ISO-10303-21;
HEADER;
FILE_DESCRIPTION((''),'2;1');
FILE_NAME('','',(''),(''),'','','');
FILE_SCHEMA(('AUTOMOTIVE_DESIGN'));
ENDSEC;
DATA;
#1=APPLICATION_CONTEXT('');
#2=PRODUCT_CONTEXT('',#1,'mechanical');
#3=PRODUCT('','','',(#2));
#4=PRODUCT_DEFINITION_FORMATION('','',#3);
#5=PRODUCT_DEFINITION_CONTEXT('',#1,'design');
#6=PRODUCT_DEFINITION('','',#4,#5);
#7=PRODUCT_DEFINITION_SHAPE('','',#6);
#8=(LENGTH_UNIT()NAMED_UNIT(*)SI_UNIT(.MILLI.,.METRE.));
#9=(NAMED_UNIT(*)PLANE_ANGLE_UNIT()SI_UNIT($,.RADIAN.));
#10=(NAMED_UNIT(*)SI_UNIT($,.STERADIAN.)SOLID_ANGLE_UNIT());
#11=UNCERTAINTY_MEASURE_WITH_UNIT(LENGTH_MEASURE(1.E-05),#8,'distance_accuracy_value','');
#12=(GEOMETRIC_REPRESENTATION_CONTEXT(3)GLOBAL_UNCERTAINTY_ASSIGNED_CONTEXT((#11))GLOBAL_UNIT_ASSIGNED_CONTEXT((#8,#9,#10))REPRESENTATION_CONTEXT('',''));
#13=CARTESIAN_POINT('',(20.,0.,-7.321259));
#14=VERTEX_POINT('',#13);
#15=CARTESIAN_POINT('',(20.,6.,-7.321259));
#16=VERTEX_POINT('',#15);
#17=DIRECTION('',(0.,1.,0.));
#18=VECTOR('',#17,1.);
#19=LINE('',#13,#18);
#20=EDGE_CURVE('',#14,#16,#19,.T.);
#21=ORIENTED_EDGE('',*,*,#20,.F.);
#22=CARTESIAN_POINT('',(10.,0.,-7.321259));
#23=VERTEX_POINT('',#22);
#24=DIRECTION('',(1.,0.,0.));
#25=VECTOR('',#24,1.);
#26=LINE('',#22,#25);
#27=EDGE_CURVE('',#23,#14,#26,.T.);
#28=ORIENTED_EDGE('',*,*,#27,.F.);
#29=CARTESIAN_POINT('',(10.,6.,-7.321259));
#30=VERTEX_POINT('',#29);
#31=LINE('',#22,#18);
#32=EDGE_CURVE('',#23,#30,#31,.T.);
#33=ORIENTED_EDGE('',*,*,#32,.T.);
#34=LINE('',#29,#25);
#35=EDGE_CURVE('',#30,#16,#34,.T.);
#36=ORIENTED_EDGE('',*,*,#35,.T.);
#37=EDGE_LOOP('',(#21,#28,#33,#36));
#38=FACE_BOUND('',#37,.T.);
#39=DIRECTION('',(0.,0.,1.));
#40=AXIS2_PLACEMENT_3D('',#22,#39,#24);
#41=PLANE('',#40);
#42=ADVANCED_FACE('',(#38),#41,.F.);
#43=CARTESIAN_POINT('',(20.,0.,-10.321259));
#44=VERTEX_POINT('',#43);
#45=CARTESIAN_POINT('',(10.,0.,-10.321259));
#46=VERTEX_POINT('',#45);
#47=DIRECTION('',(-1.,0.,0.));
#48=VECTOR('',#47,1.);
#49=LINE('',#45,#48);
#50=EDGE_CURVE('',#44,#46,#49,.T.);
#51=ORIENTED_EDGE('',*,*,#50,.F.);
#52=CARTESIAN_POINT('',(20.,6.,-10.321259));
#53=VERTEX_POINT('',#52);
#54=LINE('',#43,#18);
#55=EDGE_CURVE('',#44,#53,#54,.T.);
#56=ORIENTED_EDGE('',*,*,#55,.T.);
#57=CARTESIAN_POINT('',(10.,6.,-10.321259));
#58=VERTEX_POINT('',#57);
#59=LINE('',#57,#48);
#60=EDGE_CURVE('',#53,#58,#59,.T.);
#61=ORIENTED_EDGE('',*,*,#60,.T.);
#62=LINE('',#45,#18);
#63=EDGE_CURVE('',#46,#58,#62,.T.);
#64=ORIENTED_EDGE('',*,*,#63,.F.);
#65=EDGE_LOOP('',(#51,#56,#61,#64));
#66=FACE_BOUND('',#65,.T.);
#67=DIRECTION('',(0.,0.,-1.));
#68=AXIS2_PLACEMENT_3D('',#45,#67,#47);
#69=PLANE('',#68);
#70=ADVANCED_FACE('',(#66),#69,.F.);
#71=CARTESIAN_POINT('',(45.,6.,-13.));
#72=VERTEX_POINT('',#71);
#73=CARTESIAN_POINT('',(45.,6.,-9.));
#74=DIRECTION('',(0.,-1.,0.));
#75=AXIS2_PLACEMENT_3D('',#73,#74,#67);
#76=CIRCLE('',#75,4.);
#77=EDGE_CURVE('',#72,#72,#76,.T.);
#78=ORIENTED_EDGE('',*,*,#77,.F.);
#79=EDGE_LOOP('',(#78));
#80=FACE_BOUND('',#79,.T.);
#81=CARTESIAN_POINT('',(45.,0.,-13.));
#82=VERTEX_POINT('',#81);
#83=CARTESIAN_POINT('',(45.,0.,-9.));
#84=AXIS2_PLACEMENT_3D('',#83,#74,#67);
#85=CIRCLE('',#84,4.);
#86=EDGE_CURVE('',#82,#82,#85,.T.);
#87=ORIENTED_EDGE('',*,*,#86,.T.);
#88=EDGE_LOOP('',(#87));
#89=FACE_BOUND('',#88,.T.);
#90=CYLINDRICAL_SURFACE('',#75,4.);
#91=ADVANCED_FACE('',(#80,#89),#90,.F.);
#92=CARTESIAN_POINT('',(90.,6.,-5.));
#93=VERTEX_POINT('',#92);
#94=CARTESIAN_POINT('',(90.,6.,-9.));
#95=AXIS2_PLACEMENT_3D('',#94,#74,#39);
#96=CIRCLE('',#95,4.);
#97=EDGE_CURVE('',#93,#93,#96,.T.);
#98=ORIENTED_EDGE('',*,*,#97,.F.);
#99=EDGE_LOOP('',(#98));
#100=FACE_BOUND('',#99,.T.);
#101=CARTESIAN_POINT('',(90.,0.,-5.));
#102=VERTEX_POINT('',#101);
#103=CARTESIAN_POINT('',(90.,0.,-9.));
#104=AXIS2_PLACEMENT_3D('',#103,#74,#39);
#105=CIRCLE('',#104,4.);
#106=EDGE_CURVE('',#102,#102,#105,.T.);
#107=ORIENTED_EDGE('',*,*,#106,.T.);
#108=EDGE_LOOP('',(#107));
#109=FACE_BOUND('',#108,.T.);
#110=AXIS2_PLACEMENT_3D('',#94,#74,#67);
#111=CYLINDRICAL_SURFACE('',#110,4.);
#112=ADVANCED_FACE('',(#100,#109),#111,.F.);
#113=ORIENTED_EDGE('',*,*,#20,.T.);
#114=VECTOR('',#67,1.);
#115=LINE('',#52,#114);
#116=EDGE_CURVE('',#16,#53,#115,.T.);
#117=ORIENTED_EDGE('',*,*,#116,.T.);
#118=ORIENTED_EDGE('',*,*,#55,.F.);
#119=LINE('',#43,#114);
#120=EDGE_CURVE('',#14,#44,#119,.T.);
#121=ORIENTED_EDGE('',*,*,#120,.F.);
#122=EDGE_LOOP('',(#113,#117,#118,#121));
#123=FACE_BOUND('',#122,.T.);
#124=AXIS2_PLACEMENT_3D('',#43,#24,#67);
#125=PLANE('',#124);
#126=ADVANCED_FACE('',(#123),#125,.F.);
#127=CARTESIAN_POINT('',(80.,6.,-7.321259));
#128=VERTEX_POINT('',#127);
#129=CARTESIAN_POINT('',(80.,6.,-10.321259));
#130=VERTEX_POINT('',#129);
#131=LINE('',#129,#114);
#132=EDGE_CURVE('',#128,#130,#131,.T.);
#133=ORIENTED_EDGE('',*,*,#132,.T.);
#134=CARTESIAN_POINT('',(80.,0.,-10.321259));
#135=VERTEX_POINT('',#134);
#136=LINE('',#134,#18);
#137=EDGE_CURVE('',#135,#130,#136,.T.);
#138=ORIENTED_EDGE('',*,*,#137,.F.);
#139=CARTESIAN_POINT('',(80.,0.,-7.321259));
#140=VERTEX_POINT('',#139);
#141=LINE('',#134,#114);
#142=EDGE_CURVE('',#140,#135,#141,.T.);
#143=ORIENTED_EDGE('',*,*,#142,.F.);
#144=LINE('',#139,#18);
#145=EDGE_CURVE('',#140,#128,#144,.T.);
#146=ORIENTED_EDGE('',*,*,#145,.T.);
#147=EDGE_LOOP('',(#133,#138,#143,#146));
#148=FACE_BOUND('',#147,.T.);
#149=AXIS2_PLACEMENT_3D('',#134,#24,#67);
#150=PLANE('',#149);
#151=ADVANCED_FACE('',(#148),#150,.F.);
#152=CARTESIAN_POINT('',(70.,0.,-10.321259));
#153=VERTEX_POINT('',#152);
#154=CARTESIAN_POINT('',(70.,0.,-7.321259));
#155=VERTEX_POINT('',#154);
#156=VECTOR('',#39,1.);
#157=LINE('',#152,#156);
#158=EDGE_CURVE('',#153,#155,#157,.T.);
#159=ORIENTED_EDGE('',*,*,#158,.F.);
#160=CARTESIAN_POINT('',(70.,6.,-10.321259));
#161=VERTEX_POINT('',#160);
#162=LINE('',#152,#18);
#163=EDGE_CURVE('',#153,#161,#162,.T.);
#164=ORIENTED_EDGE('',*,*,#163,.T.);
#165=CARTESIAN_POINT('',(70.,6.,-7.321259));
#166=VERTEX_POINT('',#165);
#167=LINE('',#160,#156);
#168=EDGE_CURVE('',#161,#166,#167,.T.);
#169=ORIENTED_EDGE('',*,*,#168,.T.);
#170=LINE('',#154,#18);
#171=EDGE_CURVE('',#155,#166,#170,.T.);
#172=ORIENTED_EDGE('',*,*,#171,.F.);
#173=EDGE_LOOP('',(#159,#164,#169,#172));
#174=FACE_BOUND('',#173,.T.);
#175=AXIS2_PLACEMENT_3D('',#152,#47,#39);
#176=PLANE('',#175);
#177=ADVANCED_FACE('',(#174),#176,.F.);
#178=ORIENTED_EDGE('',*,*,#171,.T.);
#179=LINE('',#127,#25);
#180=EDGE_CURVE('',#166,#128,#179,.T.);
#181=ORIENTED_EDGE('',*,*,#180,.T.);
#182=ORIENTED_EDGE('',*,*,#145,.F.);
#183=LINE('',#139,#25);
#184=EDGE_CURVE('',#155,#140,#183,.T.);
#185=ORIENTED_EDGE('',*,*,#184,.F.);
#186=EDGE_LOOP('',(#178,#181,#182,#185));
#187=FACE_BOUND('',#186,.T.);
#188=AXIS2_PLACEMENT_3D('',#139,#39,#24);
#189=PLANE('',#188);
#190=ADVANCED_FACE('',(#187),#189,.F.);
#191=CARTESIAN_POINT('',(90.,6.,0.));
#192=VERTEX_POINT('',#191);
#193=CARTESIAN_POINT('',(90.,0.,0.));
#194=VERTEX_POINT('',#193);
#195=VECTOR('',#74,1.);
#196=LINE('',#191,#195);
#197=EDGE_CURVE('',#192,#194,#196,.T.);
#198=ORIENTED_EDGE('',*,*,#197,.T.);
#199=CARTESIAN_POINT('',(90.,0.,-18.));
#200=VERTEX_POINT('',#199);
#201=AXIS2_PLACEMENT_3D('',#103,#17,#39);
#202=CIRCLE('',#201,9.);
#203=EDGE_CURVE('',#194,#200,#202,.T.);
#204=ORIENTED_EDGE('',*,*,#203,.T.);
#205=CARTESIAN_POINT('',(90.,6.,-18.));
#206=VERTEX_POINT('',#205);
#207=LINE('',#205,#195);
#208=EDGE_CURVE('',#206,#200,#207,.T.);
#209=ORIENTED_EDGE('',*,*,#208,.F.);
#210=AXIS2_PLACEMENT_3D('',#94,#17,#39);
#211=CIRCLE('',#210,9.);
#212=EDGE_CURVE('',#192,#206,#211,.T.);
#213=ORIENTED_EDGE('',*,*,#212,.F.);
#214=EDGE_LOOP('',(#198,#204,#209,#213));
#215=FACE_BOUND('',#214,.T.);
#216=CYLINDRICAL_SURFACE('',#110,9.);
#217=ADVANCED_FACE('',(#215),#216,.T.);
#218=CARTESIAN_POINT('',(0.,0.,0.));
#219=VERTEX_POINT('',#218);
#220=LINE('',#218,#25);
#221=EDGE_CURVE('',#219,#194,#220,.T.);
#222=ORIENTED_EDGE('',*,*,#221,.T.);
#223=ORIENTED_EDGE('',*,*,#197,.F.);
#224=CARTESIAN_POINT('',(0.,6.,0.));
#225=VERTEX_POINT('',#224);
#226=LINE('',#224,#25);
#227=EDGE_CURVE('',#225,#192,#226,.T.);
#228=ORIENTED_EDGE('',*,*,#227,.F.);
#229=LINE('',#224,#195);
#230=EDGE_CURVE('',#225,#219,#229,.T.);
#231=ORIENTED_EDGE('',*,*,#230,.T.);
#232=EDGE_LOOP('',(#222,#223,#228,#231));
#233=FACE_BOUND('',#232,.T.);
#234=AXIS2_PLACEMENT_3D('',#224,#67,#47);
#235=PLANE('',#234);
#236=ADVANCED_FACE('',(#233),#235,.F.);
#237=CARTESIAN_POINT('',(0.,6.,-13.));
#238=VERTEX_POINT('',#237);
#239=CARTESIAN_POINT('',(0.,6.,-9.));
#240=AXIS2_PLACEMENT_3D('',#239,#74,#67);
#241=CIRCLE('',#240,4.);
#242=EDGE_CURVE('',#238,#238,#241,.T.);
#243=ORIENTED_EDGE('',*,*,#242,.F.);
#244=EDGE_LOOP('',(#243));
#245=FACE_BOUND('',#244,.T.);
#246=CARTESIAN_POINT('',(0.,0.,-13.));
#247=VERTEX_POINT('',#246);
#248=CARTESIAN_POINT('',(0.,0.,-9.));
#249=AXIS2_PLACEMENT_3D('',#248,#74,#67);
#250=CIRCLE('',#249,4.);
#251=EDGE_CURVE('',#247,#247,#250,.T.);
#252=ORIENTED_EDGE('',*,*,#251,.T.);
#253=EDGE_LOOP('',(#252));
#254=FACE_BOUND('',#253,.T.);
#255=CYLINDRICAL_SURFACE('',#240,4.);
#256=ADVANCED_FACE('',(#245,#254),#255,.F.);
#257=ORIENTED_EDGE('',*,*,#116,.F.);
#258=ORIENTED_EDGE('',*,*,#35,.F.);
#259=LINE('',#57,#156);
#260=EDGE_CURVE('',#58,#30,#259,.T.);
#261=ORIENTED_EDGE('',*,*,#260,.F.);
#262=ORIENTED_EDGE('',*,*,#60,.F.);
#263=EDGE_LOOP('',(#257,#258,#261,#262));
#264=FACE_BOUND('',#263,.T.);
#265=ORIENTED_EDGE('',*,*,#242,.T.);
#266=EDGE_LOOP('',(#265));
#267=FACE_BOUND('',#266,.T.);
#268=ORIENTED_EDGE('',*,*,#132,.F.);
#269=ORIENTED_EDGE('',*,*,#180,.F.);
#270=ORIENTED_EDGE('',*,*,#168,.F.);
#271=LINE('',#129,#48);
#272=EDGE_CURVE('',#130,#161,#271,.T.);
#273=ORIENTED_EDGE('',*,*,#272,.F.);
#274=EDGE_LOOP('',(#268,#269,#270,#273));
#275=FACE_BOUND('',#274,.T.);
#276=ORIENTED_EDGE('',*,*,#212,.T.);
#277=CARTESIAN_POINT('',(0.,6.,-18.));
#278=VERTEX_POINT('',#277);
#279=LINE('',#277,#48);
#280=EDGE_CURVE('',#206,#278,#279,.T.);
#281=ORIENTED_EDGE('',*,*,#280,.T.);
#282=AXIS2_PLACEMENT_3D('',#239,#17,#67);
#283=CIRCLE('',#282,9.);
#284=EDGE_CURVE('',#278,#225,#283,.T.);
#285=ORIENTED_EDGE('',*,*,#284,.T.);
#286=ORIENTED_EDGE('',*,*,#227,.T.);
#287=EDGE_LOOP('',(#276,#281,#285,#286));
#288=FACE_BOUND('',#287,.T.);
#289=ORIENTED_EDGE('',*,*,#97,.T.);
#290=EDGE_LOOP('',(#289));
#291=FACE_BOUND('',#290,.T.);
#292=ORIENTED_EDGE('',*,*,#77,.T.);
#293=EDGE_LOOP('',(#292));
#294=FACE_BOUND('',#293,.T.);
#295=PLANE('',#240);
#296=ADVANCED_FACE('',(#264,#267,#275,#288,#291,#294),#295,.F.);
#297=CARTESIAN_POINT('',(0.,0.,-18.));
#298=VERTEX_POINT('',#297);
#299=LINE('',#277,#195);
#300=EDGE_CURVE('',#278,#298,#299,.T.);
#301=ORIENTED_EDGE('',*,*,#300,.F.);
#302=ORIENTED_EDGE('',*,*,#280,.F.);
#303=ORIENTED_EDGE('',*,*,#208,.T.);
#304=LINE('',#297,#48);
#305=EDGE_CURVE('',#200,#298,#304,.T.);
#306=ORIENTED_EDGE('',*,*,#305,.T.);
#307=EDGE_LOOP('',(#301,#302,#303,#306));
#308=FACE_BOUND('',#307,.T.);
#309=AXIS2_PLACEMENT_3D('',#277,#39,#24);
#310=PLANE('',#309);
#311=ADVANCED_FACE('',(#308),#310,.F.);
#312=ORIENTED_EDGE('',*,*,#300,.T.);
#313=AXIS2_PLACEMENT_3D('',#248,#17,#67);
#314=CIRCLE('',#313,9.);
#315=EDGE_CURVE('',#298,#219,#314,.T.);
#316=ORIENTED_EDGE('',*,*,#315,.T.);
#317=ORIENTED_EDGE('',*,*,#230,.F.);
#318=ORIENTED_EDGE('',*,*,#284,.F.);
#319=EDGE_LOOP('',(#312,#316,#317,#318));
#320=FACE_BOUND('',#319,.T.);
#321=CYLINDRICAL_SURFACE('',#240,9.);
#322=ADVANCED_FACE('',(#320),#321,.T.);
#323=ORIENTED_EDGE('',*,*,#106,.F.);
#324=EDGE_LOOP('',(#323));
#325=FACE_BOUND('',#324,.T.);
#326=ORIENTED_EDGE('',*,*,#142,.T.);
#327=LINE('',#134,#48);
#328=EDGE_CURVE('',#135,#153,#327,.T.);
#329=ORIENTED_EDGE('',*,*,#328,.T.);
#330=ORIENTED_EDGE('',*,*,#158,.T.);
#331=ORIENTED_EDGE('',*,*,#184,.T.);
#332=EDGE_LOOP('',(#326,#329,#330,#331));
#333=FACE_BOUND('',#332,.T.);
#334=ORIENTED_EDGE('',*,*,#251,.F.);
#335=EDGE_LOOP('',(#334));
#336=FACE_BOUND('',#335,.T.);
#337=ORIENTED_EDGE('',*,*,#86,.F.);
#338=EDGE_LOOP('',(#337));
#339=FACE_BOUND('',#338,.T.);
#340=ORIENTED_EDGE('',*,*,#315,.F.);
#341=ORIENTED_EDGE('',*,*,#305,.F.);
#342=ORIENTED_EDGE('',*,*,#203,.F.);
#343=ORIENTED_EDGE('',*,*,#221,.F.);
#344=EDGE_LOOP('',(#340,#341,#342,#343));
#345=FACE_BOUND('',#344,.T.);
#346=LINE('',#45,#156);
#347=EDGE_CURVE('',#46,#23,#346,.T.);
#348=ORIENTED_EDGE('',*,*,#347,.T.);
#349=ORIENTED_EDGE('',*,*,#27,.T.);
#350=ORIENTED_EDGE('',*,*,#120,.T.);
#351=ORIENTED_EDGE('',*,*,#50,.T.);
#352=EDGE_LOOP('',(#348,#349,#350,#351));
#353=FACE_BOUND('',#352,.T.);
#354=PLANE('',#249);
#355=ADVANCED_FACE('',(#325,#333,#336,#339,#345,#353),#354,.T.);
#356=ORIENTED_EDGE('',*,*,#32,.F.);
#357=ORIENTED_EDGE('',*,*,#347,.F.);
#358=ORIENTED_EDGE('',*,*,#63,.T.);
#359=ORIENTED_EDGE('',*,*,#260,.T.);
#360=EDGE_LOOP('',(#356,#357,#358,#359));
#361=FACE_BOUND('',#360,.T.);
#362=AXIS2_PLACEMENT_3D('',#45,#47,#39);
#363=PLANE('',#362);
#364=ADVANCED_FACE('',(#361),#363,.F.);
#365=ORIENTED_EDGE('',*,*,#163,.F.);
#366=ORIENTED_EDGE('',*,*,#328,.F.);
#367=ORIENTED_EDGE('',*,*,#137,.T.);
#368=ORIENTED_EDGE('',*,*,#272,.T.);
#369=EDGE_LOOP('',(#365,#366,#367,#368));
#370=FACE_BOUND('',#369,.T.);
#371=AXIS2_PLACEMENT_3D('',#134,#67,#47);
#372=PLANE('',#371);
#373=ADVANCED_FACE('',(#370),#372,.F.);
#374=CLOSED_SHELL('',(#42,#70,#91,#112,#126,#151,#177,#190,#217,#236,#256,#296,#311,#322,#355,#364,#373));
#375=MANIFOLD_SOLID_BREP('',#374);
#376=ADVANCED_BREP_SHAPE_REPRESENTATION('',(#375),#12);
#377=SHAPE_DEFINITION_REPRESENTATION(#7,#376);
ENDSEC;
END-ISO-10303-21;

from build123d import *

# Parameters (mm, degrees)
BOSS_EXTRUDE1_DEPTH = 6
SKETCH3_R           = 4
CUT_EXTRUDE1_DEPTH  = 6
SKETCH4_W           = 10
SKETCH4_H           = 3
CUT_EXTRUDE2_DEPTH  = 6


with BuildPart() as part:
    # Sketch2 → Boss-Extrude1 (new body)
    with BuildSketch(Plane(origin=(0, 0, 0), x_dir=(1, 0, 0), z_dir=(0, 1, 0))):
        with BuildLine():
            Line((0, 0), (90, 0))
            ThreePointArc((90, 0), (99, 9), (90, 18))
            Line((90, 18), (0, 18))
            ThreePointArc((0, 18), (-9, 9), (0, 0))
        make_face()
    extrude(amount=BOSS_EXTRUDE1_DEPTH)

    # Sketch3 → Cut-Extrude1 (cut)
    with BuildSketch(Plane.XZ):
        with Locations(Location((0, -9, 0), (0, 0, 270))):
            Circle(SKETCH3_R)
        with Locations(Location((90, -9, 0), (0, 0, 90))):
            Circle(SKETCH3_R)
        with Locations(Location((45, -9, 0), (0, 0, 270))):
            Circle(SKETCH3_R)
    extrude(amount=-CUT_EXTRUDE1_DEPTH, mode=Mode.SUBTRACT)

    # Sketch4 → Cut-Extrude2 (cut)
    with BuildSketch(Plane(origin=(0, 6, 0), x_dir=(1, 0, 0), z_dir=(0, 1, 0))):
        with Locations((15, 8.821259453)):
            Rectangle(SKETCH4_W, SKETCH4_H)
        with Locations((75, 8.821259453)):
            Rectangle(SKETCH4_W, SKETCH4_H)
    extrude(amount=-CUT_EXTRUDE2_DEPTH, mode=Mode.SUBTRACT)


solid = part.part
